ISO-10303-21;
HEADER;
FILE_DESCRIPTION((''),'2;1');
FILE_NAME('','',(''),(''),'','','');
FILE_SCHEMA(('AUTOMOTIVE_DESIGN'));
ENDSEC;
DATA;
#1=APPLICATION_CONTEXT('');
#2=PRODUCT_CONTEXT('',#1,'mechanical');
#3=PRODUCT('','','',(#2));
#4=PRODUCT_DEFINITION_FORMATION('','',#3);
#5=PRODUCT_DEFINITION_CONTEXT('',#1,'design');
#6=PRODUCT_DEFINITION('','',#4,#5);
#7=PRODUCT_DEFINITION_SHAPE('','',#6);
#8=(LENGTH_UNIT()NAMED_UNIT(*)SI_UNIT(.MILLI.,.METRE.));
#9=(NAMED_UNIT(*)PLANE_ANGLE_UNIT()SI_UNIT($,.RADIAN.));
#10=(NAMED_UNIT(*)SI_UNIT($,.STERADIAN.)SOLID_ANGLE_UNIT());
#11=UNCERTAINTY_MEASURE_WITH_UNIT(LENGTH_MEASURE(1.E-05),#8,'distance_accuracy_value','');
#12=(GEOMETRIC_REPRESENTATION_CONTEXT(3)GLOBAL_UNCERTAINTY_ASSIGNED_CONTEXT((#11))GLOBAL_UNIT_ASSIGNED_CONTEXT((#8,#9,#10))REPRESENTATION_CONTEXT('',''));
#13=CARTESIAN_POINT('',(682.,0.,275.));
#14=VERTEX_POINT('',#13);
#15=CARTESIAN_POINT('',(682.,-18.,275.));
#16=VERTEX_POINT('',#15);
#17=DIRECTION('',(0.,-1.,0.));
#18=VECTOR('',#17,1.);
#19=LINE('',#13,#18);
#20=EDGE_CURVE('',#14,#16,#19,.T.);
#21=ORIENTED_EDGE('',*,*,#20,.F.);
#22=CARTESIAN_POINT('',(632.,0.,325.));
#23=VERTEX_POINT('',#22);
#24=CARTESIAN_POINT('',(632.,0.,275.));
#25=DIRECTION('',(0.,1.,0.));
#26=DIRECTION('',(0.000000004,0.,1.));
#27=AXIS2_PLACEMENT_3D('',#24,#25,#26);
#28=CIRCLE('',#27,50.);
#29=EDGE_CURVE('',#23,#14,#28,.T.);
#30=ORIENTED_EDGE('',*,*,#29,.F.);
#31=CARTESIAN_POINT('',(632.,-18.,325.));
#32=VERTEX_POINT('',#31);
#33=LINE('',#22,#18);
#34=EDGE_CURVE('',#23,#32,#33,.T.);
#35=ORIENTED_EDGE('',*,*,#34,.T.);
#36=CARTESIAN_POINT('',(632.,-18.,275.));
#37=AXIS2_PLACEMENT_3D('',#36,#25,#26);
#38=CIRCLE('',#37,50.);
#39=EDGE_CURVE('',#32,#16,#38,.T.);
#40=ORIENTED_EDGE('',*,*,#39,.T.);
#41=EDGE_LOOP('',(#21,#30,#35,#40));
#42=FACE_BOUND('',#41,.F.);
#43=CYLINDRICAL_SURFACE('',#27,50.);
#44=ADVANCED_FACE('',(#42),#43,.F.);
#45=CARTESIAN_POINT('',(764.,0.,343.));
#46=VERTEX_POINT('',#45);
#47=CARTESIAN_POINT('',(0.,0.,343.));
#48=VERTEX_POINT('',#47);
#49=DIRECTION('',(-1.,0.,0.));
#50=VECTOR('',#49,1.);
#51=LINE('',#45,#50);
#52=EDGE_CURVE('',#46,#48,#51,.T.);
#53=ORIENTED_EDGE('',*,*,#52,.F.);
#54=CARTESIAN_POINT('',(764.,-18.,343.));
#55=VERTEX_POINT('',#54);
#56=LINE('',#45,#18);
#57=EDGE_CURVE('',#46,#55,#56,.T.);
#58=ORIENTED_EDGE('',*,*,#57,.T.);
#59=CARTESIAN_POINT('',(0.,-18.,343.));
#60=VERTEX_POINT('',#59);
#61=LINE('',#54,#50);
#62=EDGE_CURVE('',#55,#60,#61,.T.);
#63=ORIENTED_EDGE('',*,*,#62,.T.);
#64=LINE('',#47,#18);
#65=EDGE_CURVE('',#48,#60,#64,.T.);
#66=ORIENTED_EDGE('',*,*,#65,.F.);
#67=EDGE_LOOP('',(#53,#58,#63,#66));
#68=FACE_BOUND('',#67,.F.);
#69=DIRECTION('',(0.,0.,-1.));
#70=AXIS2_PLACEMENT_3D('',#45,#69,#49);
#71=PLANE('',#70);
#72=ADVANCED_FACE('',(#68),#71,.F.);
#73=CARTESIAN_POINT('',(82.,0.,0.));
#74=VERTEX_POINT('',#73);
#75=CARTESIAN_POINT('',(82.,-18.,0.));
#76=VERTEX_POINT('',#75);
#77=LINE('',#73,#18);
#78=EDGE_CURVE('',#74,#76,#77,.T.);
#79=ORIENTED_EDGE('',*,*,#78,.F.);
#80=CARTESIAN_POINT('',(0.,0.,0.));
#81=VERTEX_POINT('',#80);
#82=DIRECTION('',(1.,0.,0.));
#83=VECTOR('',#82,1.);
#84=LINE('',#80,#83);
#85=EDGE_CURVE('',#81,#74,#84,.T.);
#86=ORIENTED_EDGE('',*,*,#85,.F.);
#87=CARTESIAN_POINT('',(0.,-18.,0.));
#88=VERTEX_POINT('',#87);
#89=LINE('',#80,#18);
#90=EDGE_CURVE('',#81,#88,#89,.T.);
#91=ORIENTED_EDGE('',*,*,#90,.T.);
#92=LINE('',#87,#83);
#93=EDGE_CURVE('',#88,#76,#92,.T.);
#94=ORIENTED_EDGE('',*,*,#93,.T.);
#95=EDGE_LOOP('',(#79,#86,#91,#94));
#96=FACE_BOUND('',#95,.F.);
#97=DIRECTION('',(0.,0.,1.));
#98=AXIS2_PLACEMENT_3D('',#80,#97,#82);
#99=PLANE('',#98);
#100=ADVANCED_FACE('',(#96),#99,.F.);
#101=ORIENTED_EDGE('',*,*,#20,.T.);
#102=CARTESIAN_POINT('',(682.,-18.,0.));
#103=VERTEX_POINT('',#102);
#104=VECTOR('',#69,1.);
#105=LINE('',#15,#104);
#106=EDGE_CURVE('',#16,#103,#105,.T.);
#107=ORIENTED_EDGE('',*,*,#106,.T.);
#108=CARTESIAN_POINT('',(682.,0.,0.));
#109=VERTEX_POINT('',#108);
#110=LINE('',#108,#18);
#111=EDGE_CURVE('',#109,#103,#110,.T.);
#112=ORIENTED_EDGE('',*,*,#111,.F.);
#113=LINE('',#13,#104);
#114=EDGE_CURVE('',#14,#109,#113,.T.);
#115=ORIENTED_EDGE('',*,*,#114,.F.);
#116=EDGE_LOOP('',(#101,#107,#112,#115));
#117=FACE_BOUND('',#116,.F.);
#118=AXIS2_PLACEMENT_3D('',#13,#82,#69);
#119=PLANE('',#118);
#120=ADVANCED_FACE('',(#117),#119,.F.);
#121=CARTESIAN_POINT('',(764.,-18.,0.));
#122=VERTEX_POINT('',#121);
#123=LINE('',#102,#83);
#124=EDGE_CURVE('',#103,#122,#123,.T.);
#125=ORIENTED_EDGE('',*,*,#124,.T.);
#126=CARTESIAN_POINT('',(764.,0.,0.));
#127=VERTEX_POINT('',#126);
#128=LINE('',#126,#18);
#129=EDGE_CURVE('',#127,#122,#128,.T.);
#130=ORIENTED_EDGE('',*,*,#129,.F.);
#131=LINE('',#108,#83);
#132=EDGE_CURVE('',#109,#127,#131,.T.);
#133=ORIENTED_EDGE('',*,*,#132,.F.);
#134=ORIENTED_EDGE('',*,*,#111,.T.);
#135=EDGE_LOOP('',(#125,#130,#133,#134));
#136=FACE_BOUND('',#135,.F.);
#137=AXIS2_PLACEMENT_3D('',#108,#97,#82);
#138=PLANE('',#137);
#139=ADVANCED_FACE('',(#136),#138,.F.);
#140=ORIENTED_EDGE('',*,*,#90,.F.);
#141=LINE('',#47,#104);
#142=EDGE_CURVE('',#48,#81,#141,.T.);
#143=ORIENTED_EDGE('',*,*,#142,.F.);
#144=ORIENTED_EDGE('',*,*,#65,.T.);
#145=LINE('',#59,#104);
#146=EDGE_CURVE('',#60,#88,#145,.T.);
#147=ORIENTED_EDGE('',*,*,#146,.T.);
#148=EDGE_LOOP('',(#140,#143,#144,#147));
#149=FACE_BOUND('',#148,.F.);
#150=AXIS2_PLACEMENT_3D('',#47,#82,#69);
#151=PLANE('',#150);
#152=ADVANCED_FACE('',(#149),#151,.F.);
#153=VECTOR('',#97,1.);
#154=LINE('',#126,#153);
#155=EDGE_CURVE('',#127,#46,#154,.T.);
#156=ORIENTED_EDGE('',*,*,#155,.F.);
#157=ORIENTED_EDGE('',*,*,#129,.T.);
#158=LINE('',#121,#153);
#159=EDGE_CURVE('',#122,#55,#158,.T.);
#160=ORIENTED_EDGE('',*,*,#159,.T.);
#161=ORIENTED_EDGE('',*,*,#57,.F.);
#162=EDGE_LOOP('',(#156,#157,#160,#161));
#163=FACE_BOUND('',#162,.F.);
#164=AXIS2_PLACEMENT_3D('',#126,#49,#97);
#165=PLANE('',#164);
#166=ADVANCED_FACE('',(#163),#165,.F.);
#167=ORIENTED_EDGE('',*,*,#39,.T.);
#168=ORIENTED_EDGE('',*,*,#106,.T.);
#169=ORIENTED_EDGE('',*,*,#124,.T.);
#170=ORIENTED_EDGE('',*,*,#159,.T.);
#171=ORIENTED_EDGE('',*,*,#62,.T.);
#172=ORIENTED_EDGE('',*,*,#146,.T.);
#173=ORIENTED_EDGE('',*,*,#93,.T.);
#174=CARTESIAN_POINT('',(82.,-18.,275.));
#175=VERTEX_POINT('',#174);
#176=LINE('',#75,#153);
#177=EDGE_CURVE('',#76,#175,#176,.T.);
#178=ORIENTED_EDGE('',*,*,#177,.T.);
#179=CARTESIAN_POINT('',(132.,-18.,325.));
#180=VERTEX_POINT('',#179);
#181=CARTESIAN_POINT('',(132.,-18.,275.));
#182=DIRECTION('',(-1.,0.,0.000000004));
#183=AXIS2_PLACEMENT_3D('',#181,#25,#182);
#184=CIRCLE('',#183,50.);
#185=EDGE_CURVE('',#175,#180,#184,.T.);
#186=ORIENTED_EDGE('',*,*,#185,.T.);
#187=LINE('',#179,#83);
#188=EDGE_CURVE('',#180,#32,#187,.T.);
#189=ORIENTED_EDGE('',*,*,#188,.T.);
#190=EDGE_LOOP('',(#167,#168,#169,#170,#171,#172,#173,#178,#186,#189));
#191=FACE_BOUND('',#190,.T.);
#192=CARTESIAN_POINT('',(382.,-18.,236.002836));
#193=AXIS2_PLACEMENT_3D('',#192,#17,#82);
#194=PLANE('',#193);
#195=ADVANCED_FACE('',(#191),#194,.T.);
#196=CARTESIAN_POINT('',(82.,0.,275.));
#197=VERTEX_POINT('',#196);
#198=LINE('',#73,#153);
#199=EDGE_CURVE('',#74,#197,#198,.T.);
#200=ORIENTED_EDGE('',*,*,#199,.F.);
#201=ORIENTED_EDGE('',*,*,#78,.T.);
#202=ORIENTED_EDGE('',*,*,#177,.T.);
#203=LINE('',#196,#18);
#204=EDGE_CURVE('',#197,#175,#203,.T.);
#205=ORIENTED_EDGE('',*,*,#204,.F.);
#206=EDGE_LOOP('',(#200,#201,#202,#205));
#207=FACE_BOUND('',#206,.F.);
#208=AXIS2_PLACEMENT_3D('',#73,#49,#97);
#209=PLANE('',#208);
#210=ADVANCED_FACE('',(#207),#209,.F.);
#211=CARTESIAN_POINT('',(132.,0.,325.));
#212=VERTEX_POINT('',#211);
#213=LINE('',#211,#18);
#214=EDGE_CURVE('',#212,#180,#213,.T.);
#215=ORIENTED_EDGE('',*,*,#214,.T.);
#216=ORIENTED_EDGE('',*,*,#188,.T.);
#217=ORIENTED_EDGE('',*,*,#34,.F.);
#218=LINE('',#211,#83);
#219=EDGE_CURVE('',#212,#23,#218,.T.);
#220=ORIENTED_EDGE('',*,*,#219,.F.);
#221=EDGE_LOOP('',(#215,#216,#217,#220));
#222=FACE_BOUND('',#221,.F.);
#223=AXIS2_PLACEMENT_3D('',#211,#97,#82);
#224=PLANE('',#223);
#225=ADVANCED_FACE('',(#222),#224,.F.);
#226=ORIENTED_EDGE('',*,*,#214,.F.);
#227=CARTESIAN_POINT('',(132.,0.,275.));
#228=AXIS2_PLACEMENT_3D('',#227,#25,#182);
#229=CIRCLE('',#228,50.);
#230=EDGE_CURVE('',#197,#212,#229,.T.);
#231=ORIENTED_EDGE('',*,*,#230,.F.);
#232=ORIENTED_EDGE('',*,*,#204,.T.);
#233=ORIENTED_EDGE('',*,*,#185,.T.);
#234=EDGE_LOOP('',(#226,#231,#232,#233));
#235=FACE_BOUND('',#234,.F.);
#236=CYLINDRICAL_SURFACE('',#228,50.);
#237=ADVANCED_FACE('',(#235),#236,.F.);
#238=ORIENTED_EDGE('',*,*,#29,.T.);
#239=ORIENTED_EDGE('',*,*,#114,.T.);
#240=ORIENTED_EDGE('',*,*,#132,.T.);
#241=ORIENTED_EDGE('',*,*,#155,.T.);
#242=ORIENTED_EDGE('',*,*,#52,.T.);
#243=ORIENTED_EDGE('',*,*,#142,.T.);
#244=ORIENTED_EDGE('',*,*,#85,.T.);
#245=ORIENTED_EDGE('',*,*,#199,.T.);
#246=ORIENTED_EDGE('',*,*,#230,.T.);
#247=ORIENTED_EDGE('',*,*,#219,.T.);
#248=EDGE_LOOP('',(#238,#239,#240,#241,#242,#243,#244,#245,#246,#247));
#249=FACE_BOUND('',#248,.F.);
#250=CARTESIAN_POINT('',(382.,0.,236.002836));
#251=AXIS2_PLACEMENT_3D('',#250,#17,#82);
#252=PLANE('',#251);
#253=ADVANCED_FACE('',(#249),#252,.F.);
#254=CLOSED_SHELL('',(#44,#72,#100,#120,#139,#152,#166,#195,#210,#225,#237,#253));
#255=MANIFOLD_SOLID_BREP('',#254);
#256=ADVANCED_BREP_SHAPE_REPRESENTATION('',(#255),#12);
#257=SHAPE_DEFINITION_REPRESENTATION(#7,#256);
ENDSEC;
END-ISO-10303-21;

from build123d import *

# Parameters (mm, degrees)
F1_DEPTH = 18


with BuildPart() as f1:
    # F0 (on Front) → F1 (new body)
    with BuildSketch(Plane.XZ):
        with BuildLine():
            Line((0, 343), (0, 0))
            Line((0, 0), (82, 0))
            Line((82, 0), (82, 275))
            ThreePointArc((82, 275), (96.644661, 310.355339), (132, 325))
            Line((132, 325), (632, 325))
            ThreePointArc((632, 325), (667.355339, 310.355339), (682, 275))
            Line((682, 275), (682, 0))
            Line((682, 0), (764, 0))
            Line((764, 0), (764, 343))
            Line((764, 343), (0, 343))
        make_face()
    extrude(amount=F1_DEPTH)


solid = f1.part
